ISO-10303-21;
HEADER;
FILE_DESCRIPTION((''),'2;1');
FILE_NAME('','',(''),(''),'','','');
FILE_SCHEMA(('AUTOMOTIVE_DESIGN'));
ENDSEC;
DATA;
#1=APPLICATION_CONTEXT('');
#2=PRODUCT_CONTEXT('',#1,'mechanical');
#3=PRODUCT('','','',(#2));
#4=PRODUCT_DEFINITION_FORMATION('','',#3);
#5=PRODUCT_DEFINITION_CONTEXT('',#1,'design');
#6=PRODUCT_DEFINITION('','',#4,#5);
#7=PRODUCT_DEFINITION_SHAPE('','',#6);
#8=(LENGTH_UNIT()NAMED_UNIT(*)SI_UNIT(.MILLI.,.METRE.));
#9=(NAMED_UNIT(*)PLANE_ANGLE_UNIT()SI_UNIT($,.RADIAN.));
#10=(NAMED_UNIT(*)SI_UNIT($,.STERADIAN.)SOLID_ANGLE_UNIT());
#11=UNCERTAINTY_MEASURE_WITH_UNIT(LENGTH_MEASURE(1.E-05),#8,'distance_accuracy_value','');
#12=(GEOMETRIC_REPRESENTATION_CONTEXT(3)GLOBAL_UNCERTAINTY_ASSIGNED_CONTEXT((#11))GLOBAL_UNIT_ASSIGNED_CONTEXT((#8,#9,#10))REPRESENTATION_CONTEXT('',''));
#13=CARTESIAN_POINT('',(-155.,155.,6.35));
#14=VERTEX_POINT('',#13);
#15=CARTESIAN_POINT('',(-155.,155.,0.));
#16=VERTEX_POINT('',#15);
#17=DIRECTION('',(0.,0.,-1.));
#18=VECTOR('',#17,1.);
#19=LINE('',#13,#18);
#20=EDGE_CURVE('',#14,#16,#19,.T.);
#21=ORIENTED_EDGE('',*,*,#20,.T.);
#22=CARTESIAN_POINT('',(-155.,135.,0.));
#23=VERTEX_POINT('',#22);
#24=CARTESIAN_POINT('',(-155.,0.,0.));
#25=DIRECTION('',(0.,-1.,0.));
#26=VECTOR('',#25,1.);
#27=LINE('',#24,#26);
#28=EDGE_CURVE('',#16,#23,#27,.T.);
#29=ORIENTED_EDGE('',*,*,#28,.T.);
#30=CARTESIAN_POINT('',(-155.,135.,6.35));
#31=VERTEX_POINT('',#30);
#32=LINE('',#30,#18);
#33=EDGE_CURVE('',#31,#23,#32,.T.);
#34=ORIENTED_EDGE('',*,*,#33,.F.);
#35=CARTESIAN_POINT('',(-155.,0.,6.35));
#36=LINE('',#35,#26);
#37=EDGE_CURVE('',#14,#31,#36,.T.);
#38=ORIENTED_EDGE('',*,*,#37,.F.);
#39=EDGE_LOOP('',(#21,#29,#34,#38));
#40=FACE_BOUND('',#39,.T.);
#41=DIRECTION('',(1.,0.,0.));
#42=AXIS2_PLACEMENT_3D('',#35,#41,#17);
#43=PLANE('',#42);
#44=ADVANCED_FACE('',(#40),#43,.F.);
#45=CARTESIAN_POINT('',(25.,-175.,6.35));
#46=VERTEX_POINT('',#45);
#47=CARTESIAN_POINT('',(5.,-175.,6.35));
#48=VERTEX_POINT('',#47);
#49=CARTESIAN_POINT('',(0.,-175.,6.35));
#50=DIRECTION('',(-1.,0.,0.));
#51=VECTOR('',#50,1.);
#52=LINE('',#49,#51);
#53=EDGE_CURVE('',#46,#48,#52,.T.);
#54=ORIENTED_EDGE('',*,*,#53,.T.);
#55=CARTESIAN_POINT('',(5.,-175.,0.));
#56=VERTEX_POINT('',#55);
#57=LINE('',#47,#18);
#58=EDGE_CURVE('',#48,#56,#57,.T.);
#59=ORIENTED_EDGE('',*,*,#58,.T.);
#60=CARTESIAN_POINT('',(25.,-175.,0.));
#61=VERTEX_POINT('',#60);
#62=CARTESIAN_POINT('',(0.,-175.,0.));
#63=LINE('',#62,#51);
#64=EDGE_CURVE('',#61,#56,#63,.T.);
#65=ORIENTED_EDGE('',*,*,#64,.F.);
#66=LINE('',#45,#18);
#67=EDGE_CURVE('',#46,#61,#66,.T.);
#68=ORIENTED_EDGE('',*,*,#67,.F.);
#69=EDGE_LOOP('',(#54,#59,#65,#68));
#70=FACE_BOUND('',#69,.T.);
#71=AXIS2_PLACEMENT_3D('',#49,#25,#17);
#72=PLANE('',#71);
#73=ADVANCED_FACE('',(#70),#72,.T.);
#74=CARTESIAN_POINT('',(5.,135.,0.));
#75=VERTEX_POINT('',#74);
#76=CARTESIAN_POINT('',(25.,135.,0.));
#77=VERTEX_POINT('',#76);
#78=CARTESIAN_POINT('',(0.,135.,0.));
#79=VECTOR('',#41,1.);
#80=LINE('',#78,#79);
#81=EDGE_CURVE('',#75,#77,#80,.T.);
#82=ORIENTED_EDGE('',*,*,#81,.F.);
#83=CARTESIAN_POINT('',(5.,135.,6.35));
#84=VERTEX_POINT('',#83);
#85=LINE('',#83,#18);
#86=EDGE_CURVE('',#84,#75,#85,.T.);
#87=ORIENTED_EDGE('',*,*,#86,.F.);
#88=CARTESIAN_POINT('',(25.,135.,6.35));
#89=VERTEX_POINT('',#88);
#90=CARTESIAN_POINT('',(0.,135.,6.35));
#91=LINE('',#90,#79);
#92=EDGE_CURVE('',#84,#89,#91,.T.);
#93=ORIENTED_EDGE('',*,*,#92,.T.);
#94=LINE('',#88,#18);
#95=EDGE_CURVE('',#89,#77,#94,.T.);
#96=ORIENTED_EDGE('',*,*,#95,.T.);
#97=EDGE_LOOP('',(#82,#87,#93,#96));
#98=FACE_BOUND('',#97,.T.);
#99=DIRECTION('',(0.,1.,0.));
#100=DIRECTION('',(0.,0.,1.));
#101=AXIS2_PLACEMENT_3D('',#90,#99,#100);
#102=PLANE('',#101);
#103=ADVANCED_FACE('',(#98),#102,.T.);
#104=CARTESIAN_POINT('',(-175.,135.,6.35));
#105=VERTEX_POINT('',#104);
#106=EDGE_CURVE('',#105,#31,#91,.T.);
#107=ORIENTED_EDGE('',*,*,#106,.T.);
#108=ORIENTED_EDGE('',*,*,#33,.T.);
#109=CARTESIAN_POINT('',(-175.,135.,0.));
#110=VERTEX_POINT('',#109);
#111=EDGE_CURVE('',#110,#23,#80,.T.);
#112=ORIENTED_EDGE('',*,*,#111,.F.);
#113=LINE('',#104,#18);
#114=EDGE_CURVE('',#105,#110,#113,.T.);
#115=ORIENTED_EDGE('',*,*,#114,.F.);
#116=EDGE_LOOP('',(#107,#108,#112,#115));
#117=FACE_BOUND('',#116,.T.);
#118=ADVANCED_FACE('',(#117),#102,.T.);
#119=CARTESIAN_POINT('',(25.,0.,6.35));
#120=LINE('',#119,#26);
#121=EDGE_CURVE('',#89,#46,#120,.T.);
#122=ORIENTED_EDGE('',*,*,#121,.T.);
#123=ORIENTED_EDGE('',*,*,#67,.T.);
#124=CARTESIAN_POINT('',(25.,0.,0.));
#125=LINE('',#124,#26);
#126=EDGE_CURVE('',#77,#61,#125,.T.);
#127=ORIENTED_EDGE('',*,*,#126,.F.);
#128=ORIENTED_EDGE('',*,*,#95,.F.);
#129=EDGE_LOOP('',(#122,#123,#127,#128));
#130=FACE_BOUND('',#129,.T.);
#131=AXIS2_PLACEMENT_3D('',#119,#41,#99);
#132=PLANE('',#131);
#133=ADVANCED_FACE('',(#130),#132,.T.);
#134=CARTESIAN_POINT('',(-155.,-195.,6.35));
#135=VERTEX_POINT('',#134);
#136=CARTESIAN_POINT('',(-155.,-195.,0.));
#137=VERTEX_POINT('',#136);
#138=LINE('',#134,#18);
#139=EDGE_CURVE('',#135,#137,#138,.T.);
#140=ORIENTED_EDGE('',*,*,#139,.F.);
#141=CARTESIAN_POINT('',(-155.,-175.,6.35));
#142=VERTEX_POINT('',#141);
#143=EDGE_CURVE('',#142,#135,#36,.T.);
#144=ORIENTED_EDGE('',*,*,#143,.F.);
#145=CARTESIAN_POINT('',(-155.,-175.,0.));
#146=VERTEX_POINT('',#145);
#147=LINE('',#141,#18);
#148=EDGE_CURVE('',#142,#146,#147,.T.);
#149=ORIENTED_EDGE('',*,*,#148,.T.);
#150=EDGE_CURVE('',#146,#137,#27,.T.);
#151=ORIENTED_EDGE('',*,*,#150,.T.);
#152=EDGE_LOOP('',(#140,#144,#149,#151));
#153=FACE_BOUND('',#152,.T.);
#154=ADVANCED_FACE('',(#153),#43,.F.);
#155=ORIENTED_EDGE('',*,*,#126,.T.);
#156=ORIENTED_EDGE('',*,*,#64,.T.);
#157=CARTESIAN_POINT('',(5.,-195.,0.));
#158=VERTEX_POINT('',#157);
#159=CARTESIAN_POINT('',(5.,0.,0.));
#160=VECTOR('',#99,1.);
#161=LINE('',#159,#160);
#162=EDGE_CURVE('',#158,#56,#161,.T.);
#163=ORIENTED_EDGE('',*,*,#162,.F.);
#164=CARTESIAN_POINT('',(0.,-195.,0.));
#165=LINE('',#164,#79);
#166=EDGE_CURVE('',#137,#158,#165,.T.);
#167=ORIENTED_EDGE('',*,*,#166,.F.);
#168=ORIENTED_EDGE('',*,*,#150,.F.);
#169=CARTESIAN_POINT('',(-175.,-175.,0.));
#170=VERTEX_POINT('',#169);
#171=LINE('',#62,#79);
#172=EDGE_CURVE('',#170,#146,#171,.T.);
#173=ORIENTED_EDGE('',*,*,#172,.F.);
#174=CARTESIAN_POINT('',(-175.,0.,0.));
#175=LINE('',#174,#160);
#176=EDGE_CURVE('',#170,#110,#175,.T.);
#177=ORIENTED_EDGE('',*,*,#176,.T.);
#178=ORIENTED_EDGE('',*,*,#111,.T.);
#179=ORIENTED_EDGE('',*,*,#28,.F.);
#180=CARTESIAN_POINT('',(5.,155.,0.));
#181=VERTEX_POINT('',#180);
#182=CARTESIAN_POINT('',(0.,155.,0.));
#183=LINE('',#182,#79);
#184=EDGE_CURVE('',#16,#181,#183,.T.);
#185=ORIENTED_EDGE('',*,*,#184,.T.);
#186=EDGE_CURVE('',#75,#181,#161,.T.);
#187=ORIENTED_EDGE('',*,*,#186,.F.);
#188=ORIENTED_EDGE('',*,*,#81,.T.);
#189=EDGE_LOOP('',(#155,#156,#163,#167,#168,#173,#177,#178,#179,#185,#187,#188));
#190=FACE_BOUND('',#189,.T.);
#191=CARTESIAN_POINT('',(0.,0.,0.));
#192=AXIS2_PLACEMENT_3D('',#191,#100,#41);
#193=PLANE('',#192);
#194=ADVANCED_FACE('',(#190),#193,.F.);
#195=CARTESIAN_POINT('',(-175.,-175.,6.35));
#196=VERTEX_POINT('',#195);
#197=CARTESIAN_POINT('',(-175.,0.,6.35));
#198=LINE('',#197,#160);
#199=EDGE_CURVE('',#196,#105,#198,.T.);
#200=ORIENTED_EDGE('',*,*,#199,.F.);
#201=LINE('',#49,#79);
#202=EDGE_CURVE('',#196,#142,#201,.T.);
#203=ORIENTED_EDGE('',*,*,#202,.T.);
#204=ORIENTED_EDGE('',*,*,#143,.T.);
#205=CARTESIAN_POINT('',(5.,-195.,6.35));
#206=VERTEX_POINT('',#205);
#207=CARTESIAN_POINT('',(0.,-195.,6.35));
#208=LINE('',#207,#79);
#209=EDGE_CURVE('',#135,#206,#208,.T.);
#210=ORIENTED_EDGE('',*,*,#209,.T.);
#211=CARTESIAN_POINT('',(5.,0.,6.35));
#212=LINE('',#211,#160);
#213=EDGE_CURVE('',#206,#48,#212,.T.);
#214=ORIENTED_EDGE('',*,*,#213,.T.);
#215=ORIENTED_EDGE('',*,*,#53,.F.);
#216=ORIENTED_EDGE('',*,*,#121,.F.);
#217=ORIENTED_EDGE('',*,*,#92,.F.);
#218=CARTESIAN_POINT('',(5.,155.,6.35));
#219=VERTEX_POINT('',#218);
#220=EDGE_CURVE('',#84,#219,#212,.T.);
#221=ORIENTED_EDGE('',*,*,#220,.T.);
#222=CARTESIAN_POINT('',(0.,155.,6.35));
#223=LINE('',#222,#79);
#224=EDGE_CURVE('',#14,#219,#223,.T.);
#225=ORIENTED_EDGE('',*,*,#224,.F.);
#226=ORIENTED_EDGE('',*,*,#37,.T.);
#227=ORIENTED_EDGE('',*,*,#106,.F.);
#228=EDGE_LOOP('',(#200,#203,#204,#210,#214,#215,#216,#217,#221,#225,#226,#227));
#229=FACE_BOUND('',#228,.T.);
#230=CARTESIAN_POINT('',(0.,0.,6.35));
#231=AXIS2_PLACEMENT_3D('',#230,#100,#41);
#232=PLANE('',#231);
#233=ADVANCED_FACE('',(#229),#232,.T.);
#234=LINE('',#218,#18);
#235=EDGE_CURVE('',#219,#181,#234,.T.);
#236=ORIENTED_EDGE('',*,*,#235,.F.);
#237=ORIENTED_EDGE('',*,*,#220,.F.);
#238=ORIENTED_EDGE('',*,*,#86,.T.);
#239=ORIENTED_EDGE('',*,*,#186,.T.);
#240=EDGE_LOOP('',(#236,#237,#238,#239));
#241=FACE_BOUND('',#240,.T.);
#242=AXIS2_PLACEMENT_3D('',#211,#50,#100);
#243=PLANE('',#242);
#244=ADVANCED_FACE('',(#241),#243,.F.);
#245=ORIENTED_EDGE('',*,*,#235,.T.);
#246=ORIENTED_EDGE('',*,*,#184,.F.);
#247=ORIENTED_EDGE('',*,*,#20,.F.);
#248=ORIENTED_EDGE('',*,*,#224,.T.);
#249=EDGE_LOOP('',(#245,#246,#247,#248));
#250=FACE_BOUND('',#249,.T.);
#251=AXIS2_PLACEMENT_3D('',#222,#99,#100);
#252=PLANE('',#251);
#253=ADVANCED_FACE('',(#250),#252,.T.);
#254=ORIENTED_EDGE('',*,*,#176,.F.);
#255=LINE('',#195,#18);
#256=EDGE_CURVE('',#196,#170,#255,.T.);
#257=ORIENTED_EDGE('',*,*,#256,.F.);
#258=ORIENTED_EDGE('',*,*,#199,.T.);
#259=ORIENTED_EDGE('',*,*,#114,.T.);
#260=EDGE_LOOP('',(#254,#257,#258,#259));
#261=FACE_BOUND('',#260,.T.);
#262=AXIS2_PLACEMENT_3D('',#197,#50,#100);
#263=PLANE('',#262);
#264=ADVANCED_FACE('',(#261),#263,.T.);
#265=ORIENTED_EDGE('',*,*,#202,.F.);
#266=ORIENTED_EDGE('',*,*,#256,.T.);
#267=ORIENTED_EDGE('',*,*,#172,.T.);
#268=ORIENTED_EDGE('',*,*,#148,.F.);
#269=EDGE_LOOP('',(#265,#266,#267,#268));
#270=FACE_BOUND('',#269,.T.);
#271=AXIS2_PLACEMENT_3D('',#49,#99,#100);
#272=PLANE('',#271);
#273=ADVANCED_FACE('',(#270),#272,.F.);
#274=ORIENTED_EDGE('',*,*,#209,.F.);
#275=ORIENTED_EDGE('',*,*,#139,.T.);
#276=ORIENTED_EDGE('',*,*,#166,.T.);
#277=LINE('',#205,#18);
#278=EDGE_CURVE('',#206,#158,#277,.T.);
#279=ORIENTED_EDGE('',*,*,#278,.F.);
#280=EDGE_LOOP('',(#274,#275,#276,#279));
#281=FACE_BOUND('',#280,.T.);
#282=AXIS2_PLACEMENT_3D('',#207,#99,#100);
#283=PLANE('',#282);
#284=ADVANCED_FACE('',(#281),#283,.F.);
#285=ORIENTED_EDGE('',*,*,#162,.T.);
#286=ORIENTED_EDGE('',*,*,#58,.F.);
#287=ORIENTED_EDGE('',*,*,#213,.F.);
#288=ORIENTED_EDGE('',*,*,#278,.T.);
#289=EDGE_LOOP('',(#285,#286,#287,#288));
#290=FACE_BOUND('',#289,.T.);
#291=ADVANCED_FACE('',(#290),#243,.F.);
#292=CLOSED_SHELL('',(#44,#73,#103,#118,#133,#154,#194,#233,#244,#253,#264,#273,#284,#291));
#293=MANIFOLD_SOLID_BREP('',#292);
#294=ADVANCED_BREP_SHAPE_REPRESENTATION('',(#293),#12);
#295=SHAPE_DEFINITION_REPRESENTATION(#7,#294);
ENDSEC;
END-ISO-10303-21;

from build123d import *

# Parameters (mm, degrees)
BOSS_EXTRUDE1_DEPTH = 6.35


with BuildPart() as part:
    # Sketch1 → Boss-Extrude1 (new body)
    with BuildSketch(Plane.XY):
        Polygon((-155, -195), (5, -195), (5, -175), (25, -175), (25, 135), (5, 135), (5, 155), (-155, 155), (-155, 135), (-175, 135), (-175, -175), (-155, -175), align=None)
    extrude(amount=BOSS_EXTRUDE1_DEPTH)


solid = part.part
